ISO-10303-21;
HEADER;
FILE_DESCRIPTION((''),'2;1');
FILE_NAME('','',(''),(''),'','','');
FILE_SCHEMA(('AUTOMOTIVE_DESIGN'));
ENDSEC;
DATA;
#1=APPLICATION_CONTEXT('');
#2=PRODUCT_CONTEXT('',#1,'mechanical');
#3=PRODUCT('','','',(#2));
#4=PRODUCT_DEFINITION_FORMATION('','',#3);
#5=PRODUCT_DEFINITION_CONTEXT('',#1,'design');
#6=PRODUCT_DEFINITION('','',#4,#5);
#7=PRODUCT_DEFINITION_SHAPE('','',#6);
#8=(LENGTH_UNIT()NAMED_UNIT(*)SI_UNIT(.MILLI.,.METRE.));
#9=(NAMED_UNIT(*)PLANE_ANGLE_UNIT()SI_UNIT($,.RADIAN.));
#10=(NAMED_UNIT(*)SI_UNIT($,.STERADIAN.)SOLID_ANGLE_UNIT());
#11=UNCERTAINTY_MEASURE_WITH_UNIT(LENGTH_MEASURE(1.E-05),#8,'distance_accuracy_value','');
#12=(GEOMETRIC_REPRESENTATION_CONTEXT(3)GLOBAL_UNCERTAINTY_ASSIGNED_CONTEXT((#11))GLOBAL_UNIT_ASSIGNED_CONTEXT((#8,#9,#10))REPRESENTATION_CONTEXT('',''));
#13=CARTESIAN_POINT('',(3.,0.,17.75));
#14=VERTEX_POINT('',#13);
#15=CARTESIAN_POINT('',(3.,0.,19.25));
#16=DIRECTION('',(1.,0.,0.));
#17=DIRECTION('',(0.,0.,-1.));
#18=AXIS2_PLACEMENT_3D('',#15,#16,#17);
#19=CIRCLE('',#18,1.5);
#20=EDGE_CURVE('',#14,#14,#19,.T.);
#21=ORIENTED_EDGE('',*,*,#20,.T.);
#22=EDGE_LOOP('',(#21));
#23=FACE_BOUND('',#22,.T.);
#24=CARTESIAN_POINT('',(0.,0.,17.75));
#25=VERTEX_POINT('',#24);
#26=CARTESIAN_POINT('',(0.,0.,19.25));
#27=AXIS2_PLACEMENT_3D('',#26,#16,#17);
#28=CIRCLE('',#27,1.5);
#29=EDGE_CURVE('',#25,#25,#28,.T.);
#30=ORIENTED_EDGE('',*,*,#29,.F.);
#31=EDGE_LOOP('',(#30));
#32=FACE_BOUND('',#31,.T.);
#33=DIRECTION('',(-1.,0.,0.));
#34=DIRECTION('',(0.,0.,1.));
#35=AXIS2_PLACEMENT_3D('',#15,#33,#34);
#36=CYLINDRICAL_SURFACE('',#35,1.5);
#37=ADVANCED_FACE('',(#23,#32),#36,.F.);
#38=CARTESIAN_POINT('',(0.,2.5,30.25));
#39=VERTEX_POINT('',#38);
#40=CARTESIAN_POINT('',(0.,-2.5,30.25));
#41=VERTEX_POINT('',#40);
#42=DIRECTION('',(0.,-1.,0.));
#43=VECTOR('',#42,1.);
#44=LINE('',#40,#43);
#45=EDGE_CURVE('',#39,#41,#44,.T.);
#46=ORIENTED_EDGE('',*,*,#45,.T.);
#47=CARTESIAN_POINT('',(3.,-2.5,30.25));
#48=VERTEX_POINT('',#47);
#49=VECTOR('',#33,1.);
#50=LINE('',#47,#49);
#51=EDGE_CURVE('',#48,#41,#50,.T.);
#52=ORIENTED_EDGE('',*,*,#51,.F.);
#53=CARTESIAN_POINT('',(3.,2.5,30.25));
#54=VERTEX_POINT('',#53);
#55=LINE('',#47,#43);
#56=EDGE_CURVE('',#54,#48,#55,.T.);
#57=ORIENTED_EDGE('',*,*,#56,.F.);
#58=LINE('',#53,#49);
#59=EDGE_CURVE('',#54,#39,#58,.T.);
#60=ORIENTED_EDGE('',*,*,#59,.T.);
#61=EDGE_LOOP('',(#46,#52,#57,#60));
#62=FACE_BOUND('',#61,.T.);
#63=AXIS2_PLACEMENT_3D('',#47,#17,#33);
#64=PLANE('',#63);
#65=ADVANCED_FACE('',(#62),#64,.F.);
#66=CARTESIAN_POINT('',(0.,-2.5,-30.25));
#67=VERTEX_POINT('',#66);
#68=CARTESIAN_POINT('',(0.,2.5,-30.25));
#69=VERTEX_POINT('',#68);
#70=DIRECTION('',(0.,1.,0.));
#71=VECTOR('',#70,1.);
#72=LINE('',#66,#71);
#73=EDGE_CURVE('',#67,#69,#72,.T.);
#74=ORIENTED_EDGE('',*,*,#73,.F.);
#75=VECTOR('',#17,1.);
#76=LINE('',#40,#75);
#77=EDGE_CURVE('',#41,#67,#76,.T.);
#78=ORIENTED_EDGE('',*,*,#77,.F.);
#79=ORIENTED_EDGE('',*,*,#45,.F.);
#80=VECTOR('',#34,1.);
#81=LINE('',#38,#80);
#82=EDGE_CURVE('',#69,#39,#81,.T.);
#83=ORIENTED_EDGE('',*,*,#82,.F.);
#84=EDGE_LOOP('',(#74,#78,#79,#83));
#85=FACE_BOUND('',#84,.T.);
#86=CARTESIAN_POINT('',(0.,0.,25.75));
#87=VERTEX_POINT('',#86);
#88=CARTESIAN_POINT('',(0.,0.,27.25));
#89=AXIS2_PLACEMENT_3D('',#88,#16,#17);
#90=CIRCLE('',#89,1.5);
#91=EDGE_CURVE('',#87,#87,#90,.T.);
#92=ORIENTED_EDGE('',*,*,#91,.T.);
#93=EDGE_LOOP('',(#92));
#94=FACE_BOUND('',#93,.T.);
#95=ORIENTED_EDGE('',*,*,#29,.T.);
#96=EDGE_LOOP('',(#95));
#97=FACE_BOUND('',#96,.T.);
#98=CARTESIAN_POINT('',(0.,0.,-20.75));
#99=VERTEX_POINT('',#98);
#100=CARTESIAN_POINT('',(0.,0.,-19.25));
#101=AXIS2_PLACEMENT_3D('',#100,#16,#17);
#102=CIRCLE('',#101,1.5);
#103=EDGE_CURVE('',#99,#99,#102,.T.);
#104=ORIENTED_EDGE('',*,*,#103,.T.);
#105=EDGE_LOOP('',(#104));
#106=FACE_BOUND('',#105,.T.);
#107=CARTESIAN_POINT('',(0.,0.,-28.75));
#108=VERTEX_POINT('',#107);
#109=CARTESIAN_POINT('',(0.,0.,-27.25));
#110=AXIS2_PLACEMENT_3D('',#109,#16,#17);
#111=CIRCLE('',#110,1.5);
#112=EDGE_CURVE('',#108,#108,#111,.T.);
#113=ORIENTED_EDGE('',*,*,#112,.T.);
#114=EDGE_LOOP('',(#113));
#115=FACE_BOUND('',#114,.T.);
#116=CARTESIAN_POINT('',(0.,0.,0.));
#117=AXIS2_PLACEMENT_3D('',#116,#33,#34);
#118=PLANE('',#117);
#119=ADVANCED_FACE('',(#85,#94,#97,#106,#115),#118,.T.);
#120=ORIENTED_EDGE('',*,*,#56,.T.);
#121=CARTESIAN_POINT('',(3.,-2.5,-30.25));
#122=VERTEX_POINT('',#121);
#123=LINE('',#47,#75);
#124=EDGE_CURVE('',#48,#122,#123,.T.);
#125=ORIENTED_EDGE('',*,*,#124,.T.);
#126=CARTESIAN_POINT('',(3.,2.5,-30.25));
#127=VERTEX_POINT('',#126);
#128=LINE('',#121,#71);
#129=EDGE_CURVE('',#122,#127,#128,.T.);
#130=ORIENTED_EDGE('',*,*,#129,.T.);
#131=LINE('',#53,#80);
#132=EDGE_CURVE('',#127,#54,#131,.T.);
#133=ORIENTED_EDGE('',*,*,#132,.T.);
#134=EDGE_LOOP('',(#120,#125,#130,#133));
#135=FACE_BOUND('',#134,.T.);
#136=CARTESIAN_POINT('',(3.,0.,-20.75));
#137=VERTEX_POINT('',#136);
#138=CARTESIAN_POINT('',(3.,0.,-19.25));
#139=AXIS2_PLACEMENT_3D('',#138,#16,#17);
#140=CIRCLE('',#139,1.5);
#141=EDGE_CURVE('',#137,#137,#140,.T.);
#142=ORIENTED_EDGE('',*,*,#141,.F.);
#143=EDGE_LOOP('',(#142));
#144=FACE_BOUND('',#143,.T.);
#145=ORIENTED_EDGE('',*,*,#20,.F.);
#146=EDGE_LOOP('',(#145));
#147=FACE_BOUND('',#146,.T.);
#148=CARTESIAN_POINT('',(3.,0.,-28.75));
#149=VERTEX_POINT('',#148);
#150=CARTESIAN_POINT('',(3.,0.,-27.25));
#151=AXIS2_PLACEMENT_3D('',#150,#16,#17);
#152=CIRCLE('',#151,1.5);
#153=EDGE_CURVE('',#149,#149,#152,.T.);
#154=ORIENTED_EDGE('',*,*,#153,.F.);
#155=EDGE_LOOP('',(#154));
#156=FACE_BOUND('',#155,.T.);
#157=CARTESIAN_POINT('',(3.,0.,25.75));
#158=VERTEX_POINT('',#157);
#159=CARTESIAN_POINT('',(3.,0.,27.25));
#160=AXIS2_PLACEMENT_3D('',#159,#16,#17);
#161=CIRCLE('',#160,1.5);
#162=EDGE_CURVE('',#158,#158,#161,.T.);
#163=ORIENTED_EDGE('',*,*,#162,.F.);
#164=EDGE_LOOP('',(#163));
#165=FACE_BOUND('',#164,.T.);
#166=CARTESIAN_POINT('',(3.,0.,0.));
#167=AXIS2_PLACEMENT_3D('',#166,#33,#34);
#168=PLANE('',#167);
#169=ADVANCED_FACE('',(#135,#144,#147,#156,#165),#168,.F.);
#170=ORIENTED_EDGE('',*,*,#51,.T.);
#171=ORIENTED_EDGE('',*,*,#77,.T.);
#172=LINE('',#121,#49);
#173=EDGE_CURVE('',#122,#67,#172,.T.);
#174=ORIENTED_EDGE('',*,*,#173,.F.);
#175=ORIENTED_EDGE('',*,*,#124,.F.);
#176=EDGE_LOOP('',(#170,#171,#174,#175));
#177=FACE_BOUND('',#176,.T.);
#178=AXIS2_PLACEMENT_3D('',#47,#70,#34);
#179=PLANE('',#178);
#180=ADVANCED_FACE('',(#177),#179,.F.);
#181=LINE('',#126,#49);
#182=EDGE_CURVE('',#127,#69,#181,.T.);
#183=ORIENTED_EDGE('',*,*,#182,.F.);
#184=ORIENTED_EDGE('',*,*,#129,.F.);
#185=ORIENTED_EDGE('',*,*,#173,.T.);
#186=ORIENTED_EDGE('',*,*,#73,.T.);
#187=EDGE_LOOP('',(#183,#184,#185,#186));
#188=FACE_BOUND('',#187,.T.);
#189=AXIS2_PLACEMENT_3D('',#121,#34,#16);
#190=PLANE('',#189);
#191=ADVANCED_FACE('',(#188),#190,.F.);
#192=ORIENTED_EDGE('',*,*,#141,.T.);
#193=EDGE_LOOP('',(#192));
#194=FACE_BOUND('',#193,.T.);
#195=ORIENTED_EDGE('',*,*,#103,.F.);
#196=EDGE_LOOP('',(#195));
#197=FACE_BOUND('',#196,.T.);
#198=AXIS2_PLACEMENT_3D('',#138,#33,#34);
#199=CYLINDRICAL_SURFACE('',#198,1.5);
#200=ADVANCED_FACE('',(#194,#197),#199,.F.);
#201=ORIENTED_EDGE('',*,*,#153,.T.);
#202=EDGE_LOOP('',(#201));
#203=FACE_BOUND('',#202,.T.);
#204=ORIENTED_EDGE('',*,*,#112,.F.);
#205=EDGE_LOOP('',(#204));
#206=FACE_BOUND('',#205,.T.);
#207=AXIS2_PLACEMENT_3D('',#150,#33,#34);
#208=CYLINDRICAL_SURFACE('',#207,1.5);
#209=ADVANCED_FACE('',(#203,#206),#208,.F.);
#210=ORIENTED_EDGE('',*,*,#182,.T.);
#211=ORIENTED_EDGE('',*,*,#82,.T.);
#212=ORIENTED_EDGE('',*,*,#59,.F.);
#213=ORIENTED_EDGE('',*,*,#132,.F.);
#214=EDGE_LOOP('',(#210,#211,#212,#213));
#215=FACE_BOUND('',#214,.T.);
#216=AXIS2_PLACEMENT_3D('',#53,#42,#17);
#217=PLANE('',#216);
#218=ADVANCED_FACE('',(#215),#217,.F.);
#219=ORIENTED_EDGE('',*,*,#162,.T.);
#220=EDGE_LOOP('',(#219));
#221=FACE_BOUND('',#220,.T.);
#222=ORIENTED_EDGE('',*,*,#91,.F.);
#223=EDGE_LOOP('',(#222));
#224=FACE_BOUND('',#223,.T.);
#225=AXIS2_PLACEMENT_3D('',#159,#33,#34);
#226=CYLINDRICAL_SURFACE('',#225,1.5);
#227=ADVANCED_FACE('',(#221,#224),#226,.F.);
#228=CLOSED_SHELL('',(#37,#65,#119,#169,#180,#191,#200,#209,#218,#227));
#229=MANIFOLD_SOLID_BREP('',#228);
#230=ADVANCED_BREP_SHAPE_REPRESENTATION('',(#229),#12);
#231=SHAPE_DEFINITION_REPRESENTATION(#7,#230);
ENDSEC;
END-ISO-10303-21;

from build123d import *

# Parameters (mm, degrees)
SKETCH1_W           = 60.5
SKETCH1_H           = 5
SKETCH1_R           = 1.5
BOSS_EXTRUDE1_DEPTH = 3


with BuildPart() as part:
    # Sketch1 → Boss-Extrude1 (new body)
    with BuildSketch(Plane(origin=(0, 0, 0), x_dir=(0, 0, -1), z_dir=(1, 0, 0))):
        Rectangle(SKETCH1_W, SKETCH1_H)
        with Locations((-27.25, 0)):
            Circle(SKETCH1_R, mode=Mode.SUBTRACT)
        with Locations((-19.25, 0)):
            Circle(SKETCH1_R, mode=Mode.SUBTRACT)
        with Locations((27.25, 0)):
            Circle(SKETCH1_R, mode=Mode.SUBTRACT)
        with Locations((19.25, 0)):
            Circle(SKETCH1_R, mode=Mode.SUBTRACT)
    extrude(amount=BOSS_EXTRUDE1_DEPTH)


solid = part.part
